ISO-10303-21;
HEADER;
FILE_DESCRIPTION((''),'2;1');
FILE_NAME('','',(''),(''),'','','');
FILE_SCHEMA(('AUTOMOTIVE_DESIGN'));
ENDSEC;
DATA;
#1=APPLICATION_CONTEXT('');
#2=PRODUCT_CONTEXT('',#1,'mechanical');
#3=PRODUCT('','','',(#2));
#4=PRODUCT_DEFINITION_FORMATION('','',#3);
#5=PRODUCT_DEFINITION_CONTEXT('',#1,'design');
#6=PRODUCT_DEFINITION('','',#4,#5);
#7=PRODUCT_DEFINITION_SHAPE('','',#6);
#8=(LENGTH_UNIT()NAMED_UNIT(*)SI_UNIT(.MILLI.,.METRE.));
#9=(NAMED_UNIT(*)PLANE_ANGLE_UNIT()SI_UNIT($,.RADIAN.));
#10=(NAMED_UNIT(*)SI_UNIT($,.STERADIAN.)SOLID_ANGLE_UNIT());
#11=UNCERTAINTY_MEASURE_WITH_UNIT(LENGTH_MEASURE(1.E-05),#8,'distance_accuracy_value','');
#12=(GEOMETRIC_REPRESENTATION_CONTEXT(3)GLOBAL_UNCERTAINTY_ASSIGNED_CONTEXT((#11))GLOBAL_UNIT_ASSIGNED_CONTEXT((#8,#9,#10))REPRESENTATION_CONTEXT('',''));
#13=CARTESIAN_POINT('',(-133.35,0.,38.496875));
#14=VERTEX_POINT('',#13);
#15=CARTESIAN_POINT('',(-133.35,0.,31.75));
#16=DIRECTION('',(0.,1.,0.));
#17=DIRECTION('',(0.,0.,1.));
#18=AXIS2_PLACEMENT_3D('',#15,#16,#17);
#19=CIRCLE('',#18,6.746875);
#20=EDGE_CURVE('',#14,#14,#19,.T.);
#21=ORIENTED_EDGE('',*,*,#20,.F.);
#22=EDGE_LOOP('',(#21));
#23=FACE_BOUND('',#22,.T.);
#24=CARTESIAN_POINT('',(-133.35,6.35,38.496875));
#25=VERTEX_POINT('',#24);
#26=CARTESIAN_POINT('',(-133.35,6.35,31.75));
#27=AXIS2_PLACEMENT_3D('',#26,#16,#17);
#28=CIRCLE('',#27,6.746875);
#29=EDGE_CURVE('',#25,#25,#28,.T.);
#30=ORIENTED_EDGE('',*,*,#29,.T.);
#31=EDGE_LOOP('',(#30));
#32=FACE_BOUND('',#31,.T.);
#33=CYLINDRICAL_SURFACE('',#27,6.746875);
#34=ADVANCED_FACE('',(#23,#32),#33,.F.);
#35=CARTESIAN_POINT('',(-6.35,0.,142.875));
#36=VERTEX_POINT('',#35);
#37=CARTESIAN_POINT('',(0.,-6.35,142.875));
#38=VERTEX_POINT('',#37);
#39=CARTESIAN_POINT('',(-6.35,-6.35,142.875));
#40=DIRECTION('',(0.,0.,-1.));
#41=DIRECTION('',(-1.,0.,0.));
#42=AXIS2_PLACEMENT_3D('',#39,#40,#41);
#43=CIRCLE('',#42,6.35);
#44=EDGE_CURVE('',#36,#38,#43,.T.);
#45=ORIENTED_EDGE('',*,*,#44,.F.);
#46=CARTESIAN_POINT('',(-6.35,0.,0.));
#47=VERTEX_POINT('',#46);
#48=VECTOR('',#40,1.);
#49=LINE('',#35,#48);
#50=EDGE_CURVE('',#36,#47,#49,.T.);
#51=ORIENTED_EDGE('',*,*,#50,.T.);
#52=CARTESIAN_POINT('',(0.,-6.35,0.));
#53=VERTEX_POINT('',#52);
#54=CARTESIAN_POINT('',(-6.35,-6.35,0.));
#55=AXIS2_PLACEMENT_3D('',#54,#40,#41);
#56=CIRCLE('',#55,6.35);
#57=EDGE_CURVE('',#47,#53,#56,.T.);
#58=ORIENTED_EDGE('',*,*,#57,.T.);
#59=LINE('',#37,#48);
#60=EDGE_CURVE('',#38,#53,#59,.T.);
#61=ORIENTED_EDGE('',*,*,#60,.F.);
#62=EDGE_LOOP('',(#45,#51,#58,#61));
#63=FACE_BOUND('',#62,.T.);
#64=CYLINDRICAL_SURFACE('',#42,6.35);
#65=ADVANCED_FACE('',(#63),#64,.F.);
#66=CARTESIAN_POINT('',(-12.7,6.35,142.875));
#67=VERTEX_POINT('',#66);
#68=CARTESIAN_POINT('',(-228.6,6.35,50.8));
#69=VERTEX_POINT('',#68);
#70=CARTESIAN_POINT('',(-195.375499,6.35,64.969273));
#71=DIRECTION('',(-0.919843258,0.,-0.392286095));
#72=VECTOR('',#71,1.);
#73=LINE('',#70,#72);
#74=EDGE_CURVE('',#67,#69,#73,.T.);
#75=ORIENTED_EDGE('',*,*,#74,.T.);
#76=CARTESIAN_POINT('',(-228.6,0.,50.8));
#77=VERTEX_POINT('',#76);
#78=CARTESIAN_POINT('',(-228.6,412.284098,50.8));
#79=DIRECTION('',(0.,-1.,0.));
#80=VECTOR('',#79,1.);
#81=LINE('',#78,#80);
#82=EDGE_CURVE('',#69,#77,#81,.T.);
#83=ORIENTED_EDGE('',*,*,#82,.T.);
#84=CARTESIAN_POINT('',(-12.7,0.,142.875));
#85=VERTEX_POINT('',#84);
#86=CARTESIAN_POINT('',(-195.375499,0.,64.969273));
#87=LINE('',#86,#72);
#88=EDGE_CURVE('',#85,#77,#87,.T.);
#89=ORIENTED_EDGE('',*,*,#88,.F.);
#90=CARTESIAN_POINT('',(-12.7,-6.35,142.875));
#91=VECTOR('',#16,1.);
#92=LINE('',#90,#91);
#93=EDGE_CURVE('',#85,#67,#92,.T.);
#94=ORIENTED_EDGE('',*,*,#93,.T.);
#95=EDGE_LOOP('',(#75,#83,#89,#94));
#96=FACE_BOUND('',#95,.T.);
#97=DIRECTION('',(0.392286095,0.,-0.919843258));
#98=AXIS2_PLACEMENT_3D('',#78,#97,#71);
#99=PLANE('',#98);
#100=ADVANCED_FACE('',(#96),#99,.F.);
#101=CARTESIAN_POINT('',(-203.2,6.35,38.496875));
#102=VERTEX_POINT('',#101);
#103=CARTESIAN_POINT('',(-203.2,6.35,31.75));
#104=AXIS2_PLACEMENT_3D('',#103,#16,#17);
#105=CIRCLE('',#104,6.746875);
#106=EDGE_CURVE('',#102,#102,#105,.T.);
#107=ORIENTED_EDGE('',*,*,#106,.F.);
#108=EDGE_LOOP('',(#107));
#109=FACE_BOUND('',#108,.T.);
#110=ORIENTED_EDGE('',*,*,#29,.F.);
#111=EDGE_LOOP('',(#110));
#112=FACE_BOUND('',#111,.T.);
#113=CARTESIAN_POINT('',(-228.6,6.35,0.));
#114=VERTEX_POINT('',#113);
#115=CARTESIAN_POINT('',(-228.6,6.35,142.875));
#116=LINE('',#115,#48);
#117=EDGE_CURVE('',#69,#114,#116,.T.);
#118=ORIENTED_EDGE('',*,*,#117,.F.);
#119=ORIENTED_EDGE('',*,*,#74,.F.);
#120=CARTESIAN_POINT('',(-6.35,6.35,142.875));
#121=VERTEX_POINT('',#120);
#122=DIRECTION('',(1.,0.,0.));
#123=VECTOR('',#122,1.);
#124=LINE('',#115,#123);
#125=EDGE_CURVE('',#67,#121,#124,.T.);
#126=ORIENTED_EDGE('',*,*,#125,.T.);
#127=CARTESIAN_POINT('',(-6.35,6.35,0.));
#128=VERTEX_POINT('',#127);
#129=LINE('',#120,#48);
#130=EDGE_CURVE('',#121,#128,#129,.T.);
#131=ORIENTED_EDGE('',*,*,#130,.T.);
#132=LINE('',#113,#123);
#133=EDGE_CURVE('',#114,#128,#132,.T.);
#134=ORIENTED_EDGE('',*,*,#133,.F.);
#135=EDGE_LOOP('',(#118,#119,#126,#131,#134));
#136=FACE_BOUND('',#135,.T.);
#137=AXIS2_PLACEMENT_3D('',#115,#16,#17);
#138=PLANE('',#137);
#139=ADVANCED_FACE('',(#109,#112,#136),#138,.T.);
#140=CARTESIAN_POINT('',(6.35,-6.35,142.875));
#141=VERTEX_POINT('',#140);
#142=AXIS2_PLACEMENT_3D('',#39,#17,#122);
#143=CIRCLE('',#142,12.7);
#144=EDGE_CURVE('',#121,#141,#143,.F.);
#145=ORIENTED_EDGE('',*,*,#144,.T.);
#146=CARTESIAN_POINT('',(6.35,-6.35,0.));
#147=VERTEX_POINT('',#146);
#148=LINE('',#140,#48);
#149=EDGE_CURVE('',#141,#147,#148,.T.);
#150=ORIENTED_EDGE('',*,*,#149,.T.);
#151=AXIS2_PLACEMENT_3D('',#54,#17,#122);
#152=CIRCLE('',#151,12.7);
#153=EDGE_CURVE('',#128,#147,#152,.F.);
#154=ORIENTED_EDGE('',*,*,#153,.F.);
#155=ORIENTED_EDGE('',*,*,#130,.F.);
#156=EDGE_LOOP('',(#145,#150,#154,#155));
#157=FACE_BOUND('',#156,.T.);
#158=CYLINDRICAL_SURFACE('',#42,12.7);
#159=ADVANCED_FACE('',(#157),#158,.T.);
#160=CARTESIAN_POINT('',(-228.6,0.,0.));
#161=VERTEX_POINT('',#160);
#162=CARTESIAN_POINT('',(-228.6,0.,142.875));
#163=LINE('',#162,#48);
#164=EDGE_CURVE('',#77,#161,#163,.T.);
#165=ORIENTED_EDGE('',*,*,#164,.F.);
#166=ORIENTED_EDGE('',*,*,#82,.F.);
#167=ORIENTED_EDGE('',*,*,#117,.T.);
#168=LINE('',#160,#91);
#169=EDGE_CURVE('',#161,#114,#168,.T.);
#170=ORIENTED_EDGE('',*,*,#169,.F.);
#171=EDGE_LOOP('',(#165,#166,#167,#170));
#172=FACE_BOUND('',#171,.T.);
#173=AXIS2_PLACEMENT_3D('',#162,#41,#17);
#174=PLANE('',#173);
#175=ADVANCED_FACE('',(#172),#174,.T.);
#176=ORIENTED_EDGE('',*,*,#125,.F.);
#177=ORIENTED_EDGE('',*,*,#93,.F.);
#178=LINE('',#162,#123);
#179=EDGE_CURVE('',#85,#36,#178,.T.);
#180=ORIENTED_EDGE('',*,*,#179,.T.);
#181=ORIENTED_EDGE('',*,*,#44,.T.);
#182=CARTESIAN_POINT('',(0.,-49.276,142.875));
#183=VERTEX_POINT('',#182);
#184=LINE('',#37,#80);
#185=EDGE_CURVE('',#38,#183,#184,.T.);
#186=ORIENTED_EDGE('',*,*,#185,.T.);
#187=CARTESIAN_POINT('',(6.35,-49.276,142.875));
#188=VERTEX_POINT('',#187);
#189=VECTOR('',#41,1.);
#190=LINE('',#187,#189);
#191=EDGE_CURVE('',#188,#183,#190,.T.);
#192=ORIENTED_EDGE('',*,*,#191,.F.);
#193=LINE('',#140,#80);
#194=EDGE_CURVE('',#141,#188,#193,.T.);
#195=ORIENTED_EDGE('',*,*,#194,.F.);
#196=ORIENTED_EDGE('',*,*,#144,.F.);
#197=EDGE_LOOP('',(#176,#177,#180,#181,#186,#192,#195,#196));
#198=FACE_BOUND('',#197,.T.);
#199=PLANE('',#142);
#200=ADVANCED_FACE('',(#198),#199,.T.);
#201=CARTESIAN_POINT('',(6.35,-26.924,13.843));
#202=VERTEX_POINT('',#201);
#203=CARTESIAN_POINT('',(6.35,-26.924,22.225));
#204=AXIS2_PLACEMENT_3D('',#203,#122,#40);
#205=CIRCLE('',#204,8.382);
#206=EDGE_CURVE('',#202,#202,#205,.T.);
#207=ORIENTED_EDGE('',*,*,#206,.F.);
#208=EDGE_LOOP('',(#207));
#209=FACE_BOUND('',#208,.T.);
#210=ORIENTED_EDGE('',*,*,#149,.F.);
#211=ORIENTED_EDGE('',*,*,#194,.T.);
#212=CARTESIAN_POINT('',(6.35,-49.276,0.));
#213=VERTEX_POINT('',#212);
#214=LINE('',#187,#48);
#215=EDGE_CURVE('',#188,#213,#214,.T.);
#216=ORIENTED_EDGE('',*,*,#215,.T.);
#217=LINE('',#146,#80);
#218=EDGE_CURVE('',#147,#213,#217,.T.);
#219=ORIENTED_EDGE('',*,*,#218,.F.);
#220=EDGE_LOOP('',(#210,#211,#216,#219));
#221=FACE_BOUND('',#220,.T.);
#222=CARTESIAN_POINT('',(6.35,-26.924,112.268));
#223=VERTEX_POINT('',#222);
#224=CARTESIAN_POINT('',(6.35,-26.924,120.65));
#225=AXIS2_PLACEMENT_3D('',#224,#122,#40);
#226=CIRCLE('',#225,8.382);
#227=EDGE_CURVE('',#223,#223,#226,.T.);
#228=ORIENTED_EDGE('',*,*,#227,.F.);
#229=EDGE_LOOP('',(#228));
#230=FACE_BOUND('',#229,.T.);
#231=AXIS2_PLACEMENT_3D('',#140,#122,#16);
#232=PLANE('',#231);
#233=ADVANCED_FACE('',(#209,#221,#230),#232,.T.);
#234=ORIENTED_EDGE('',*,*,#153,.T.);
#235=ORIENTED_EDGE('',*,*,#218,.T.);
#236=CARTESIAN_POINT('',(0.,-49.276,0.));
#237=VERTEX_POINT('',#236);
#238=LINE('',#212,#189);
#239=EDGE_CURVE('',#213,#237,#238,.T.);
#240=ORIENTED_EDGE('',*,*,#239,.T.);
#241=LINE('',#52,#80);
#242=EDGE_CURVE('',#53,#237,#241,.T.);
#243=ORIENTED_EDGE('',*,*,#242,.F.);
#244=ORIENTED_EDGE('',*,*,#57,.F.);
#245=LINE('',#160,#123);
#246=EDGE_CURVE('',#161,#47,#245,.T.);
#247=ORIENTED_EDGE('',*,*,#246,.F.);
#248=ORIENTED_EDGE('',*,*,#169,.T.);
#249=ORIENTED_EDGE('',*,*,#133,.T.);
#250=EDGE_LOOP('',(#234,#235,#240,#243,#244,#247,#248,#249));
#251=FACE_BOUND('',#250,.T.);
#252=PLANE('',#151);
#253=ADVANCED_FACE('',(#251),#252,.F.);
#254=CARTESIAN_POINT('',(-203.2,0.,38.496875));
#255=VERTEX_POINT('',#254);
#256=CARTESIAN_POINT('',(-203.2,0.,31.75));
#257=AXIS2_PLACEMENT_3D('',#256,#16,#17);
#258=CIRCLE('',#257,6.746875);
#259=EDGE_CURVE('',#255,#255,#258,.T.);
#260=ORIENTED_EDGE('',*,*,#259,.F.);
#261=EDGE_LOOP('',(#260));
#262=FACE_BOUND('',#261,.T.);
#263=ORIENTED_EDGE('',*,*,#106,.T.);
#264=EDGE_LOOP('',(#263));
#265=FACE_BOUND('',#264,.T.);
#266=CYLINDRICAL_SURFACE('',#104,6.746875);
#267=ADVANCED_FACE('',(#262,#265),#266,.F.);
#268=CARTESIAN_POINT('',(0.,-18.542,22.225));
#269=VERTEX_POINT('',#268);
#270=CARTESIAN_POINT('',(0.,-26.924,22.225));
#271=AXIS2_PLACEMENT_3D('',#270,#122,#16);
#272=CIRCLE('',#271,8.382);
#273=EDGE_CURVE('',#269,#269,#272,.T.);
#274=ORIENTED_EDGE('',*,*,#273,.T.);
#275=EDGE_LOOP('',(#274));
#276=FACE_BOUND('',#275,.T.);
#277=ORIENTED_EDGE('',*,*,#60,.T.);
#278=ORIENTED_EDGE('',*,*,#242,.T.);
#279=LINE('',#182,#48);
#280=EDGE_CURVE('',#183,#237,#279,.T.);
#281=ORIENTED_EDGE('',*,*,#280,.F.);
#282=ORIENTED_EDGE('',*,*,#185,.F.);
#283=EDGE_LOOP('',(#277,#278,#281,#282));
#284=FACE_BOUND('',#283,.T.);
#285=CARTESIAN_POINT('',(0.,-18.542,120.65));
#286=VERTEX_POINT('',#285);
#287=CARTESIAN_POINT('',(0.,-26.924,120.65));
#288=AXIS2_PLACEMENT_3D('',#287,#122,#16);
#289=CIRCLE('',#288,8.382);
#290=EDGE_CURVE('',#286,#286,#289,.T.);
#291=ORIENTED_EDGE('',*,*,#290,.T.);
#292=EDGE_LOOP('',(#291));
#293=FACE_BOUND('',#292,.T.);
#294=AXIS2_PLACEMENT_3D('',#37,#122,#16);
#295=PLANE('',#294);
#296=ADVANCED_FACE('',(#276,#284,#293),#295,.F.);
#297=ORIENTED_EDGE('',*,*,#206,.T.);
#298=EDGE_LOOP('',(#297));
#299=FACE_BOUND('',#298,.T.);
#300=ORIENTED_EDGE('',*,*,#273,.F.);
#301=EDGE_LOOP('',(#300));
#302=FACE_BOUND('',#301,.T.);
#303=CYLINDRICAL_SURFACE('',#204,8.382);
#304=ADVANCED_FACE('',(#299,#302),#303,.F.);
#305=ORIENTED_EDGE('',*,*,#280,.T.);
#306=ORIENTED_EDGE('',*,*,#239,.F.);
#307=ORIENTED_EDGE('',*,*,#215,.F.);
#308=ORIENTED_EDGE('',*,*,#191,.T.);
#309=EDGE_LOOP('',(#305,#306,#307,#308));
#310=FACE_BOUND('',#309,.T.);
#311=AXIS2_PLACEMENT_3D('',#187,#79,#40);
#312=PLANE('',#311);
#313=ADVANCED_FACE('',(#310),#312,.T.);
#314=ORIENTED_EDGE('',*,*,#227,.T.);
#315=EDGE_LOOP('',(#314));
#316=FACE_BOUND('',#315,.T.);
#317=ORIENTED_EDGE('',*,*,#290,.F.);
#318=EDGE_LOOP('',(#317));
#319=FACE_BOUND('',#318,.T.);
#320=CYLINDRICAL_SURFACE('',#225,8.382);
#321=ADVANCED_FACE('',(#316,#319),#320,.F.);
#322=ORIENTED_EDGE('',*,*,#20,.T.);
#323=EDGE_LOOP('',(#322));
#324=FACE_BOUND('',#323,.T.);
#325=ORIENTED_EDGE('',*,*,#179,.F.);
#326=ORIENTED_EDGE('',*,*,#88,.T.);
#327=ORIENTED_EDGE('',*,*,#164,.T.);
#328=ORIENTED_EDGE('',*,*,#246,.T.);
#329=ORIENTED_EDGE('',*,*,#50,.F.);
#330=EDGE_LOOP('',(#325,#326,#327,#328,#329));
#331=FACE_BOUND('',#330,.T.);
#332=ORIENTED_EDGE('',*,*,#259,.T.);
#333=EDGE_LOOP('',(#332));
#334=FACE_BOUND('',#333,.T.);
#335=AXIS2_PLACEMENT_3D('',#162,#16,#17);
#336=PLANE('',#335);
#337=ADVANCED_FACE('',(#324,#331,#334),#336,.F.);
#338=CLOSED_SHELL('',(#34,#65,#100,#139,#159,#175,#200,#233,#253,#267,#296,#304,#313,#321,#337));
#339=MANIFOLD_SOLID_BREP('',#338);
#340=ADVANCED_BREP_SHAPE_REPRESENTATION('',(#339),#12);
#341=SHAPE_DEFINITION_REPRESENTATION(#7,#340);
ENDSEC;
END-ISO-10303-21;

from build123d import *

# Parameters (mm, degrees)
BASE_EXTRUDE_THIN_DEPTH = 142.875
CUT_CNR_DEPTH           = 7.35
CUT_CNR_DEPTH_BACK      = 50.276
HOLE_FLG_D              = 16.764
HOLE_TOP_D              = 13.49375
HOLE_TOP_DEPTH          = 25.4


with BuildPart() as part:
    # Sketch1 → Base-Extrude-Thin (new body)
    with BuildSketch(Plane.XY):
        with BuildLine():
            Line((-228.6, 0), (-6.35, 0))
            ThreePointArc((-6.35, 0), (-1.859871939, -1.859871939), (0, -6.35))
            Line((0, -6.35), (0, -49.276))
            Line((0, -49.276), (6.35, -49.276))
            Line((6.35, -49.276), (6.35, -6.35))
            ThreePointArc((6.35, -6.35), (2.630256121, 2.630256121), (-6.35, 6.35))
            Line((-6.35, 6.35), (-228.6, 6.35))
            Line((-228.6, 6.35), (-228.6, 0))
        make_face()
    extrude(amount=BASE_EXTRUDE_THIN_DEPTH)

    # Sketch2 → Cut cnr (cut, two sides)
    with BuildSketch(Plane(origin=(0, 0, 0), x_dir=(1, 0, 0), z_dir=(0, 1, 0))) as cut_cnr_sk:
        Polygon((-714.082135383, 156.243851855), (-228.6, -50.8), (-12.7, -142.875), (472.782135383, -349.918851855), (58.694431674, -1320.883122621), (-1128.169839092, -814.720418912), align=None)
    extrude(amount=CUT_CNR_DEPTH, mode=Mode.SUBTRACT)
    extrude(cut_cnr_sk.sketch, amount=-CUT_CNR_DEPTH_BACK, mode=Mode.SUBTRACT)

    # Hole-flg (through all)
    with Locations(Plane(origin=(6.35, 0, 0), x_dir=(0, 0, -1), z_dir=(1, 0, 0))):
        with Locations((-120.65, -26.924), (-22.225, -26.924)):
            Hole(HOLE_FLG_D / 2)

    # Hole-top
    with Locations(Plane(origin=(0, 6.35, 0), x_dir=(-1, 0, 0), z_dir=(0, 1, 0))):
        with Locations((203.2, 31.75), (133.35, 31.75)):
            Hole(HOLE_TOP_D / 2, depth=HOLE_TOP_DEPTH)


solid = part.part
